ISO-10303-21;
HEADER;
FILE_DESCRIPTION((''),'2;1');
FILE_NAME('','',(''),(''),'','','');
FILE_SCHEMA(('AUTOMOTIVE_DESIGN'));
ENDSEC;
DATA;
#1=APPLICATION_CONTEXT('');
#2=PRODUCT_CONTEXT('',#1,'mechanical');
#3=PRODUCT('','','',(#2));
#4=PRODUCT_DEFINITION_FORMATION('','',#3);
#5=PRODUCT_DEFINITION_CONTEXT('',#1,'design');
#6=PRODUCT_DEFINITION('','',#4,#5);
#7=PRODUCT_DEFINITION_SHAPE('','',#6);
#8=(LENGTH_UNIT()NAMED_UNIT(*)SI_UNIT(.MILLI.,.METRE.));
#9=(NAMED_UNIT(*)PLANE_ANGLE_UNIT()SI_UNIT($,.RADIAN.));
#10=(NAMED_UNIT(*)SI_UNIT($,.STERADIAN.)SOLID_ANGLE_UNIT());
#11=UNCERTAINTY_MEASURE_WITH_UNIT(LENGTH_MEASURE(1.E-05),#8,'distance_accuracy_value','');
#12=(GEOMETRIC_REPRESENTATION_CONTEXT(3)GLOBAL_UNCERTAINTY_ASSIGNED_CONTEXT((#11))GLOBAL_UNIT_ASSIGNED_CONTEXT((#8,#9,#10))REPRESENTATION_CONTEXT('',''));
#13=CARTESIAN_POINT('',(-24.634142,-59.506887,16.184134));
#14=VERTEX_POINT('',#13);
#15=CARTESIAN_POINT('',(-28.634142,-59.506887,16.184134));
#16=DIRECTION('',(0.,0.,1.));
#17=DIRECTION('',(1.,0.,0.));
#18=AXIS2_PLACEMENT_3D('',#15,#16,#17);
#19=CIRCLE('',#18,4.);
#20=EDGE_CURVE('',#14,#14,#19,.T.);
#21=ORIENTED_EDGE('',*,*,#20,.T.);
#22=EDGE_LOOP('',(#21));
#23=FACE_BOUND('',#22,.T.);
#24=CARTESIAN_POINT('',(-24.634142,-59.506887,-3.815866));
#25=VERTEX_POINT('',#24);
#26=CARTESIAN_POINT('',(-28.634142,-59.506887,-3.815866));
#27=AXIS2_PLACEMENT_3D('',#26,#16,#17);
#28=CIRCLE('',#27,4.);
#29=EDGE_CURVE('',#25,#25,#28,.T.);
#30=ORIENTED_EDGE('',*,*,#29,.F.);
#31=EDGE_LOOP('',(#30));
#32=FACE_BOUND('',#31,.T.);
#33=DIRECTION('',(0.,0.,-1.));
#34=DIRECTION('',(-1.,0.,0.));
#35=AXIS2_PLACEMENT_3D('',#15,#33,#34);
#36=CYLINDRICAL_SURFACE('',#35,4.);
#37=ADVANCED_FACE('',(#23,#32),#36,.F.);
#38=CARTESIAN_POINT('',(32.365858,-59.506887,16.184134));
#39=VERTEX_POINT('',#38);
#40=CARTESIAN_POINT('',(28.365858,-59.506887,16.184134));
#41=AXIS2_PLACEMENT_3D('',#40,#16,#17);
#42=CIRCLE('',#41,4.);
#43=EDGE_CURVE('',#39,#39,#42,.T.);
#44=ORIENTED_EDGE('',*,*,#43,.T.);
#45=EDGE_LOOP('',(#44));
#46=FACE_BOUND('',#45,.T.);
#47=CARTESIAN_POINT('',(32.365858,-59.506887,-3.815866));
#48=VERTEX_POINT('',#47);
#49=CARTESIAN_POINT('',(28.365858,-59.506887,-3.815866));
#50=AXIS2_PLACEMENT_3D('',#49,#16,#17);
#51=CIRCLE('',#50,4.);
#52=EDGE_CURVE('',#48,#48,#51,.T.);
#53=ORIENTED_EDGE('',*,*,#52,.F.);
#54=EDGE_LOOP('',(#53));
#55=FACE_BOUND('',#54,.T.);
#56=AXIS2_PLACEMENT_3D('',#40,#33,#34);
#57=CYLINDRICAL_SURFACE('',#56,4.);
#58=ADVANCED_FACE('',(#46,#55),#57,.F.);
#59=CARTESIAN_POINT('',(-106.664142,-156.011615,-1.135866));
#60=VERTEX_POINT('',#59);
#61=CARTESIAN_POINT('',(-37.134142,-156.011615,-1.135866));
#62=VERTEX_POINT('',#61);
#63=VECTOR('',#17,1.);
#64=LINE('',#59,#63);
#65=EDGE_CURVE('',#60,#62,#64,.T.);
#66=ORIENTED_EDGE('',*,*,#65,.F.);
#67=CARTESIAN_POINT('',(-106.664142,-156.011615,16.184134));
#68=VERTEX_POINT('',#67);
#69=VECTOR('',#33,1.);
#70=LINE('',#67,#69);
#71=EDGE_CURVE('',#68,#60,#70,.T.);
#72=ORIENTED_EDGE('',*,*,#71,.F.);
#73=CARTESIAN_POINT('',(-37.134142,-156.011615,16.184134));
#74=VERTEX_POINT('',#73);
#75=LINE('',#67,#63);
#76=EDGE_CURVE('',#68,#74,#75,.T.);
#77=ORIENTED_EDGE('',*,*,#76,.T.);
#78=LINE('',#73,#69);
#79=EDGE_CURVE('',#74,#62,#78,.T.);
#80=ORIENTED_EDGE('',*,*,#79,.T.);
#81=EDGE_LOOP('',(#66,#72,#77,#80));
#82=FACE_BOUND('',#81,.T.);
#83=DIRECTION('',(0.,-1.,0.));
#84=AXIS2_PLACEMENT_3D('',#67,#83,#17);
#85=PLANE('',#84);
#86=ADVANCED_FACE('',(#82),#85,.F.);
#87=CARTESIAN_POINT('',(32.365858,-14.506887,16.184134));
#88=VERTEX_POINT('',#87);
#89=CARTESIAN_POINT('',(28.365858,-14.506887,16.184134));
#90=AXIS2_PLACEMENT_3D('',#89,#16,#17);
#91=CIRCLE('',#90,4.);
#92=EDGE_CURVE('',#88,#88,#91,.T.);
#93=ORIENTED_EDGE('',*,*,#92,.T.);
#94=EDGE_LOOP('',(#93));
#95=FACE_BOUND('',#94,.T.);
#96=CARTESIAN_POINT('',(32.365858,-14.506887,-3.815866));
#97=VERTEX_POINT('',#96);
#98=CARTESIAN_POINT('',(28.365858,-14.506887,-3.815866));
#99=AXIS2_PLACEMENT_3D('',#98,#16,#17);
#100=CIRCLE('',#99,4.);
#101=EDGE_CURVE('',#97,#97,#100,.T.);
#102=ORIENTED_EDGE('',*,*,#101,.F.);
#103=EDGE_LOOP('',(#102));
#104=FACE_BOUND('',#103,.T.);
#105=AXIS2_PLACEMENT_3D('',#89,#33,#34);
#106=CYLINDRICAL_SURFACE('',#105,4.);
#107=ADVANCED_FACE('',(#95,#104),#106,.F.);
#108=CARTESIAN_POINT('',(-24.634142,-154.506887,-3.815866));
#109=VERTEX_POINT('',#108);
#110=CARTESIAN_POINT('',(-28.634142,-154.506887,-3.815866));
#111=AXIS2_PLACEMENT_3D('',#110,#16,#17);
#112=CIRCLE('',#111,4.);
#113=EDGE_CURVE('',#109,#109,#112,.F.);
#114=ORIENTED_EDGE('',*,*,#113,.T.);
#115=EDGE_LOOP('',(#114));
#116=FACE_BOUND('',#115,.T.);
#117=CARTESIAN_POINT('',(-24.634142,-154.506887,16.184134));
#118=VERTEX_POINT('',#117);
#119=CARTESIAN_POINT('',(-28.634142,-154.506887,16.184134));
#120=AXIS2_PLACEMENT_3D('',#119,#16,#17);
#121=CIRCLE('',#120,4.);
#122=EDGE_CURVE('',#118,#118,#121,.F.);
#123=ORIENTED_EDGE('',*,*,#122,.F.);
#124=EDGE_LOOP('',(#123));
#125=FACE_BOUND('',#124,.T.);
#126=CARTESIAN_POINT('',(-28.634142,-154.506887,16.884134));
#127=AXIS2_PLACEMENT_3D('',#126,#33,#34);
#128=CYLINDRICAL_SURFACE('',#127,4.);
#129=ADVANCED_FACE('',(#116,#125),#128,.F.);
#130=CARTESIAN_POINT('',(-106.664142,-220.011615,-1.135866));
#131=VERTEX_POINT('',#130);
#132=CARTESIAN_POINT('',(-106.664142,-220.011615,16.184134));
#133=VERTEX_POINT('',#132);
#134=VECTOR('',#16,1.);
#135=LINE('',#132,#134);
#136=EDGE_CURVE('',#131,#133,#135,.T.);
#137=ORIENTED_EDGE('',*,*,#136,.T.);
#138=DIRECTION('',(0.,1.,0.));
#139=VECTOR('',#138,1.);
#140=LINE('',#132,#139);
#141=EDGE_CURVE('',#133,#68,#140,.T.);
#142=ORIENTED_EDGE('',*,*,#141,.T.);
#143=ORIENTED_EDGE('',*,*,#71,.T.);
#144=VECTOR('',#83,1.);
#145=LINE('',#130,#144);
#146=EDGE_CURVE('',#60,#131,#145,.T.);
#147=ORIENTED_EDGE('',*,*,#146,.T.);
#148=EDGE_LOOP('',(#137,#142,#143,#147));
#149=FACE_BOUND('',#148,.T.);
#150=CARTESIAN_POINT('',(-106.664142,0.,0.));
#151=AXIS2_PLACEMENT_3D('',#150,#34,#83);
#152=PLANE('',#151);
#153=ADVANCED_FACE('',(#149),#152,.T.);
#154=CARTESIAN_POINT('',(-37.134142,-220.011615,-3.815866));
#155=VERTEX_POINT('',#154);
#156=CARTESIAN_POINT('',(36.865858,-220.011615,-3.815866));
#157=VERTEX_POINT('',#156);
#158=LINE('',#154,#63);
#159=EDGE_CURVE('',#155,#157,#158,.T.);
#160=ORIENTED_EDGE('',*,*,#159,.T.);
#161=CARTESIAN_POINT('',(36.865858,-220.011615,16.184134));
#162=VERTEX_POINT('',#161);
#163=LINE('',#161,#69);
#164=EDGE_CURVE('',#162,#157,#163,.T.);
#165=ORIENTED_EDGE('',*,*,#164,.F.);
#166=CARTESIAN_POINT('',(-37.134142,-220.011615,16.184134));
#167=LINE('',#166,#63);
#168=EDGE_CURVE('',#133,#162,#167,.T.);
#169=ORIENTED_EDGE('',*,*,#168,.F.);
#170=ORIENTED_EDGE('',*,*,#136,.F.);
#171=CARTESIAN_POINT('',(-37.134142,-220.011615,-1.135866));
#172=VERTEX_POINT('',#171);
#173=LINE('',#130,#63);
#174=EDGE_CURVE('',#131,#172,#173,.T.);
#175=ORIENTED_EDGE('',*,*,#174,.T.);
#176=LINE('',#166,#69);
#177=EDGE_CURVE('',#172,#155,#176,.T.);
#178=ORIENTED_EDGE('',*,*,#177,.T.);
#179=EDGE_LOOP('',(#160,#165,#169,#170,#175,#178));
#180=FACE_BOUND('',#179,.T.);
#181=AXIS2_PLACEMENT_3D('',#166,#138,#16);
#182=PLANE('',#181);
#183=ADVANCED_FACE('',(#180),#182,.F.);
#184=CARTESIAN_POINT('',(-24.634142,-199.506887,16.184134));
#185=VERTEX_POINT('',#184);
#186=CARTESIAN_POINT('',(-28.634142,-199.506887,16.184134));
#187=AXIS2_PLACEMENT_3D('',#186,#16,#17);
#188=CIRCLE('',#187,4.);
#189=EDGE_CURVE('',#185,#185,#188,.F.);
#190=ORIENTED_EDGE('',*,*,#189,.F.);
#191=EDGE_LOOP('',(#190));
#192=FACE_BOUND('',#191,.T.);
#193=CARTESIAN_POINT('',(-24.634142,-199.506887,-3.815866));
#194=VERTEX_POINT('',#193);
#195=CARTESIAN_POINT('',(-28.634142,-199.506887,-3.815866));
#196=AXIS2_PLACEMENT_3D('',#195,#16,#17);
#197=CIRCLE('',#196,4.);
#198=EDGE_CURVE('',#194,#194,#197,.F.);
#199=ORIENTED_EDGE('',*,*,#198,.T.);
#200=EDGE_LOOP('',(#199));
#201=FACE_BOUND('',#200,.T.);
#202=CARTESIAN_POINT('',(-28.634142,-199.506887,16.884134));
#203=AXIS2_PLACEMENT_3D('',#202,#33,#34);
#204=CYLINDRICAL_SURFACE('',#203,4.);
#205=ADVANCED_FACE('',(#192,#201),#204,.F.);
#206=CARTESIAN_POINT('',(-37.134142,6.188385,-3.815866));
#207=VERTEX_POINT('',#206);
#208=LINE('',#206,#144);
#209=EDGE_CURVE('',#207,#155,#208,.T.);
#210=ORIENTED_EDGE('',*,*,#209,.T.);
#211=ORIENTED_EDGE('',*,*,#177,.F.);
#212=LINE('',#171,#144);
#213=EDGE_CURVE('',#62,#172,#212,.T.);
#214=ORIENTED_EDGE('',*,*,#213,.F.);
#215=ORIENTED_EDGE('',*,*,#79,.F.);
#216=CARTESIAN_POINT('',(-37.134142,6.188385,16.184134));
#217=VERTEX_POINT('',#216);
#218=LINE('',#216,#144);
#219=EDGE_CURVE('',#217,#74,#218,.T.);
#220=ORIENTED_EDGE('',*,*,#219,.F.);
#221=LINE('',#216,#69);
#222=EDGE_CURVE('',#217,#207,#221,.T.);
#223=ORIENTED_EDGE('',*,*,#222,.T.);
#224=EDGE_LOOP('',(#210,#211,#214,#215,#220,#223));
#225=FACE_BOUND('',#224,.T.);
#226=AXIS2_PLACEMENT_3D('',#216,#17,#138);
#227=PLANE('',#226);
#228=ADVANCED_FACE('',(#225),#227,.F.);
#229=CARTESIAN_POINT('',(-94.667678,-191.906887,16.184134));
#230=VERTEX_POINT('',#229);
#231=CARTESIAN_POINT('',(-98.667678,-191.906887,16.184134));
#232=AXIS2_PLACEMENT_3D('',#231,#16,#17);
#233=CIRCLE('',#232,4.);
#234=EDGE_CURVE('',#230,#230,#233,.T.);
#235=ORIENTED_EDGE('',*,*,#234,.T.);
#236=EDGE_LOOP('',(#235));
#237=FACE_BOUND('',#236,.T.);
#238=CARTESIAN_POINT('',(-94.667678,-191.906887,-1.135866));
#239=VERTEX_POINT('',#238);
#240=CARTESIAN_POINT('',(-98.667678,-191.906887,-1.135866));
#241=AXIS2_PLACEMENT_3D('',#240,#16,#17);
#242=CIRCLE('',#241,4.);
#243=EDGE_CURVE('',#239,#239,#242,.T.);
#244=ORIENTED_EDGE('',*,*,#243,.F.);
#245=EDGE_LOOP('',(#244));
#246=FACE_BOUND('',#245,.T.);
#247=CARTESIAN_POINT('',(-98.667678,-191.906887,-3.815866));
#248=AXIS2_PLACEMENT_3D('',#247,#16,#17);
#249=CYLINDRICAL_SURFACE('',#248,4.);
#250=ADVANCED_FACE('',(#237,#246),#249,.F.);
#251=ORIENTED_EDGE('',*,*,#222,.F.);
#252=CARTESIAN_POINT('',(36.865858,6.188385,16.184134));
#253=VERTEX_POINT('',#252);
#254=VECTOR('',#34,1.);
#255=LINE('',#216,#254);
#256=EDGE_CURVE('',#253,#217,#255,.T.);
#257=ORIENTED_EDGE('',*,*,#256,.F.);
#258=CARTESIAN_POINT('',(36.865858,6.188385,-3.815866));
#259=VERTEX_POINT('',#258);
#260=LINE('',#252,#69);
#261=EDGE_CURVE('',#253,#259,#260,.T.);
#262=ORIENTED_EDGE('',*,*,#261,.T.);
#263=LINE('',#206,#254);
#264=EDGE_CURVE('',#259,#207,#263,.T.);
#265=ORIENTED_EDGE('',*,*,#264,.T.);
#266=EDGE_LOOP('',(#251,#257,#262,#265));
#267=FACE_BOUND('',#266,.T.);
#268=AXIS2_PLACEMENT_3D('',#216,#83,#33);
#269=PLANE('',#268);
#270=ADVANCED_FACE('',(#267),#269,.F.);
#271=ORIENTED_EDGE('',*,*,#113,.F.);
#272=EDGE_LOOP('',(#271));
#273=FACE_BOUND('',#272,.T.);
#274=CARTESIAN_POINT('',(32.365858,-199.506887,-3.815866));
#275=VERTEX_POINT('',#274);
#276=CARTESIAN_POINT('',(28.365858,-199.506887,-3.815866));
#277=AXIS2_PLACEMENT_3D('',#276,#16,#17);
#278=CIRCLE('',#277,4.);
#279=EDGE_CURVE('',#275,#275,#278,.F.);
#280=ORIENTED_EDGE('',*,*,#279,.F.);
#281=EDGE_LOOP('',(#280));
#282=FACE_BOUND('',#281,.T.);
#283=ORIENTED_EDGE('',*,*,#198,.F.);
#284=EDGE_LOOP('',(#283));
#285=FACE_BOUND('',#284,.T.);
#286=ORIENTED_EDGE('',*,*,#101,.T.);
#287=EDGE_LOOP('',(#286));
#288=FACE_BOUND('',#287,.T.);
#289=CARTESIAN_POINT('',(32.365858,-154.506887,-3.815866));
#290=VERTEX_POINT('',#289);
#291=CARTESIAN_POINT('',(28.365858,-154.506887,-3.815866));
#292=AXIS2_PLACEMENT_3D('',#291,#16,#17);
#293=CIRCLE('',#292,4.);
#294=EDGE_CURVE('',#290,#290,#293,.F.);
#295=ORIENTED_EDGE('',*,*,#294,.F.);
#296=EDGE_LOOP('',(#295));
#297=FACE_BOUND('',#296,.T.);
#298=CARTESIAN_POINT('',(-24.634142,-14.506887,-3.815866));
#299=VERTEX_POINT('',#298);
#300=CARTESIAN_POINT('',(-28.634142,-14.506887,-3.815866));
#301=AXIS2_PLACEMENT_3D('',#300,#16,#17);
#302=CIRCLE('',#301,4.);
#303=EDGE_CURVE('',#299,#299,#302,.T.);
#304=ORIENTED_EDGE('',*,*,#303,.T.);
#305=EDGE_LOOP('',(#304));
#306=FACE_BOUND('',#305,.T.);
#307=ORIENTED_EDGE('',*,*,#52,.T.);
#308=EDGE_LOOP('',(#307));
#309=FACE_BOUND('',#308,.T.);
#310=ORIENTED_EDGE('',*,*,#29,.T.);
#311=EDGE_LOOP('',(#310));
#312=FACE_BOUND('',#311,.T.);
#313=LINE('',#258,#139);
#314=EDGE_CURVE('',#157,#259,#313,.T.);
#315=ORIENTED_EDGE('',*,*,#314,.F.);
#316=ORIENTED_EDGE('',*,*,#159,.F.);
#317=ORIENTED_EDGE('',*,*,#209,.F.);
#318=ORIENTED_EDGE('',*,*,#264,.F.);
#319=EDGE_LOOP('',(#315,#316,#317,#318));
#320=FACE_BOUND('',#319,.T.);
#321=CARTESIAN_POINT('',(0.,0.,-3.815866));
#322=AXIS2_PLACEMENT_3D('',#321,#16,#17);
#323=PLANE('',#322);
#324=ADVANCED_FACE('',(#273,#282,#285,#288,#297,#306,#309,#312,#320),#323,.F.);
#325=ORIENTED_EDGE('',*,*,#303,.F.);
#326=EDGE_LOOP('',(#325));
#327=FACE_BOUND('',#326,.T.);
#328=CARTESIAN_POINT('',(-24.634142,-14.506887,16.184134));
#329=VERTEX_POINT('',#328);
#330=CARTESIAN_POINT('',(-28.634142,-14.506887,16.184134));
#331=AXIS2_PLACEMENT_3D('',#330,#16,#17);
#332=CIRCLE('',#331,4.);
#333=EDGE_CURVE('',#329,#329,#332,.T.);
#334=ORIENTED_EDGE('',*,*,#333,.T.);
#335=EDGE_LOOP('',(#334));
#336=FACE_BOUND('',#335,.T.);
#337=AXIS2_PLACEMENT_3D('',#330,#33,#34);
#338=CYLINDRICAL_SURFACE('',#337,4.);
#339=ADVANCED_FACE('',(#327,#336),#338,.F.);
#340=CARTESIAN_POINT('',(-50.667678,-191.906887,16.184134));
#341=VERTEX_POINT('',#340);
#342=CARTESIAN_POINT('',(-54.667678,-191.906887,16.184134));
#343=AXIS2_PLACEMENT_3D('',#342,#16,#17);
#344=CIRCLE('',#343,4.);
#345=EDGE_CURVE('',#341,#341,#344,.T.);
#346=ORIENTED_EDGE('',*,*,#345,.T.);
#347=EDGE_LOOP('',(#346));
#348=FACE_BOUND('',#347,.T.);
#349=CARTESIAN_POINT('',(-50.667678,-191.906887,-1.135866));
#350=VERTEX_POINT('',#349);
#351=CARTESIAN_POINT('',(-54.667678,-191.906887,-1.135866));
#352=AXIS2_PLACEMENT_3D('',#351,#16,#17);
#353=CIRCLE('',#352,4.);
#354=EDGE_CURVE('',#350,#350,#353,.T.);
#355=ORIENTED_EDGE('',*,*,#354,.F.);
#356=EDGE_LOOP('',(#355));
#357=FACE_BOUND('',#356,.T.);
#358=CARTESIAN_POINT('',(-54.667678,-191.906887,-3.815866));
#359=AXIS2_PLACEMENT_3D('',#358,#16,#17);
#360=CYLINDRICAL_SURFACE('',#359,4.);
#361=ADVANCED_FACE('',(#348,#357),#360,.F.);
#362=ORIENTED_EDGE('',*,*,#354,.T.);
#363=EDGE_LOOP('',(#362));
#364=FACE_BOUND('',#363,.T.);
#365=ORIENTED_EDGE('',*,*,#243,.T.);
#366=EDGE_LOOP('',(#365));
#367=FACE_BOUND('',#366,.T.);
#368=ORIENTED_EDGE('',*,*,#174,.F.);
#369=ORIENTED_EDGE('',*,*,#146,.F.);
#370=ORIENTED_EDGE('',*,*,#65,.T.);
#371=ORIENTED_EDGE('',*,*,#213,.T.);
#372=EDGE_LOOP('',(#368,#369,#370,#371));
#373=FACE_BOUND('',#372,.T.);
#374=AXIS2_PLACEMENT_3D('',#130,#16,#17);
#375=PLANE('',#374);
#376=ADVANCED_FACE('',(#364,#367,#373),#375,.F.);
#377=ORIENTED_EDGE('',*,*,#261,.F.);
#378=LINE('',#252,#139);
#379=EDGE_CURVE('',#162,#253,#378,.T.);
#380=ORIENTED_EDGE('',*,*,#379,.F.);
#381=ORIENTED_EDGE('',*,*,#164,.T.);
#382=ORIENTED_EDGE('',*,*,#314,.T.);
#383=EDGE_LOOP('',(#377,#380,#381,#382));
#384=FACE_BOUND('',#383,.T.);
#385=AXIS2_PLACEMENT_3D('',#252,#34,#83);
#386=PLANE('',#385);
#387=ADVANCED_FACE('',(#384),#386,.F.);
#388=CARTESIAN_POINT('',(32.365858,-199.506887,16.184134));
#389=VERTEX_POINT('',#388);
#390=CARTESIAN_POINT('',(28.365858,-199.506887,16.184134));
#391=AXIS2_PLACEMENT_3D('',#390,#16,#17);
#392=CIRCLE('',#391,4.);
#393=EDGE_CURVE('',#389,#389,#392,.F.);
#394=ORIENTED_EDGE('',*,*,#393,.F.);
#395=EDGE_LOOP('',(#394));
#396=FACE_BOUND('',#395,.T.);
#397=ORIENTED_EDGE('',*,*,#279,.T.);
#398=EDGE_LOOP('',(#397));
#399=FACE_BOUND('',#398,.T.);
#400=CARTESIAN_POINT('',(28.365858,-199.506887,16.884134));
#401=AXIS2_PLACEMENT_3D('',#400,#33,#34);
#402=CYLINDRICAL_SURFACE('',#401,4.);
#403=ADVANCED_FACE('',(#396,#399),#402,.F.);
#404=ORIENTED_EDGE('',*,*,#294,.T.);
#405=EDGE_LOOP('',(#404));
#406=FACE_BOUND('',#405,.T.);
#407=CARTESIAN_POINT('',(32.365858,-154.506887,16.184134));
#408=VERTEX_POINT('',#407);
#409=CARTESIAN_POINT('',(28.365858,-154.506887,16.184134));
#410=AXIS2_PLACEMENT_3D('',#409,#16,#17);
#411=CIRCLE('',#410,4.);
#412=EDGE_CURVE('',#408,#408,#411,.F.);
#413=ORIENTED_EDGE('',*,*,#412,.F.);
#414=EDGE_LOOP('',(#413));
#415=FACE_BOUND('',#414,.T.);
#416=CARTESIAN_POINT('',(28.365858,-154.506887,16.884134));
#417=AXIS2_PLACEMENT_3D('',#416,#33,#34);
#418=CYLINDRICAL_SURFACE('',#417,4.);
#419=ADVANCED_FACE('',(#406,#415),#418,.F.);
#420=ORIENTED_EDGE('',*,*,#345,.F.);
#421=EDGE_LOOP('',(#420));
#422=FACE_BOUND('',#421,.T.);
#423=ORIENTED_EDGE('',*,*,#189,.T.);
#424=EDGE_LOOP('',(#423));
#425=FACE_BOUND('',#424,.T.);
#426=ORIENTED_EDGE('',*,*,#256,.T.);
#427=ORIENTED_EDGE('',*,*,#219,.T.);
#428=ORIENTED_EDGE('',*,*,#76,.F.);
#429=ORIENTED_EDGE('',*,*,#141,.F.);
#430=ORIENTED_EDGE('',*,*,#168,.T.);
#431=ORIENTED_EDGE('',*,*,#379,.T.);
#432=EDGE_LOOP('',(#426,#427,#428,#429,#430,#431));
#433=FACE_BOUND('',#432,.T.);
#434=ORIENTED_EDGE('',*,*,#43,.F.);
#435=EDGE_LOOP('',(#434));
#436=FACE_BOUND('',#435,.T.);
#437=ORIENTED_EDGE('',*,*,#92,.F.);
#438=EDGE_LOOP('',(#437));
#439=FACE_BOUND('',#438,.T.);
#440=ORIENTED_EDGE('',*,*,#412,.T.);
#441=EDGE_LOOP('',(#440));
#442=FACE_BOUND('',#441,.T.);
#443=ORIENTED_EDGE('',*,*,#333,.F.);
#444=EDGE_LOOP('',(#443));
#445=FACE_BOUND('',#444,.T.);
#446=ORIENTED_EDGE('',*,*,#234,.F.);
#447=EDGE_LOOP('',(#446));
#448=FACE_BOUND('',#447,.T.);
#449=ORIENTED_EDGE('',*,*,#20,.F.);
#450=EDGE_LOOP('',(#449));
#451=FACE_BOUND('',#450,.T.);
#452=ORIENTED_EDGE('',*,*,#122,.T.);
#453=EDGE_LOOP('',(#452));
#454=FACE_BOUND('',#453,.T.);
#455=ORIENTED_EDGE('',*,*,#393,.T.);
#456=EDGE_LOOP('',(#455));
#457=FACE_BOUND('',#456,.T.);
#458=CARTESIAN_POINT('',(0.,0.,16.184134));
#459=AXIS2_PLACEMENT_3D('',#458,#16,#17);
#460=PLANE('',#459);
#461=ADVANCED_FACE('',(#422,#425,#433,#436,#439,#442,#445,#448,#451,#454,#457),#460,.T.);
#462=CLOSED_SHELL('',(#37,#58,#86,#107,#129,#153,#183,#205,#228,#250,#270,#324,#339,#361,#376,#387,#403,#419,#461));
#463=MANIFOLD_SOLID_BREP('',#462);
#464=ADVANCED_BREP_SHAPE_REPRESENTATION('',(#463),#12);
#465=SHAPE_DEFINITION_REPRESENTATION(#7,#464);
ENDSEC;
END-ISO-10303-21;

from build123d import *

# Parameters (mm, degrees)
SZKIC2_W                    = 74
SZKIC2_H                    = 226.2
DODANIE_WYCI_GNI_CIE1_DEPTH = 20
SZKIC3_W                    = 17.32
SZKIC3_H                    = 64
DODANIE_WYCI_GNI_CIE2_DEPTH = 69.53
SZKIC4_R                    = 3.999999999
WYTNIJ_WYCI_GNI_CIE1_DEPTH  = 20
SZKIC6_R                    = 4
WYTNIJ_WYCI_GNI_CIE3_DEPTH  = 21
SZKIC7_R                    = 4
WYTNIJ_WYCI_GNI_CIE4_DEPTH  = 20


with BuildPart() as part:
    # Szkic2 → Dodanie-wyciągnięcie1 (new body)
    with BuildSketch(Plane.XY.offset(-3.815865502)):
        with Locations((-0.134142184, -106.911615453)):
            Rectangle(SZKIC2_W, SZKIC2_H)
    extrude(amount=DODANIE_WYCI_GNI_CIE1_DEPTH)

    # Szkic3 → Dodanie-wyciągnięcie2 (add)
    with BuildSketch(Plane.ZY.offset(37.134142184)):
        with Locations((7.524134498, -188.011615453)):
            Rectangle(SZKIC3_W, SZKIC3_H)
    extrude(amount=DODANIE_WYCI_GNI_CIE2_DEPTH)

    # Szkic4 → Wytnij-wyciągnięcie1 (cut)
    with BuildSketch(Plane.XY.offset(16.184134498)):
        with Locations((-54.667677729, -191.906887131)):
            Circle(SZKIC4_R)
        with Locations((-98.667677729, -191.906887131)):
            Circle(SZKIC4_R)
    extrude(amount=-WYTNIJ_WYCI_GNI_CIE1_DEPTH, mode=Mode.SUBTRACT)

    # Szkic6 → Wytnij-wyciągnięcie3 (cut)
    with BuildSketch(Plane.XY.offset(-4.115865502)):
        with Locations((28.365857818, -199.506887131)):
            Circle(SZKIC6_R)
        with Locations((-28.634142182, -199.506887131)):
            Circle(SZKIC6_R)
        with Locations((-28.634142182, -154.506887131)):
            Circle(SZKIC6_R)
        with Locations((28.365857818, -154.506887131)):
            Circle(SZKIC6_R)
    extrude(amount=WYTNIJ_WYCI_GNI_CIE3_DEPTH, mode=Mode.SUBTRACT)

    # Szkic7 → Wytnij-wyciągnięcie4 (cut)
    with BuildSketch(Plane.XY.offset(-3.815865502)):
        with Locations((28.365857816, -14.506887131)):
            Circle(SZKIC7_R)
        with Locations((-28.634142184, -14.506887131)):
            Circle(SZKIC7_R)
        with Locations((-28.634142184, -59.506887131)):
            Circle(SZKIC7_R)
        with Locations((28.365857816, -59.506887131)):
            Circle(SZKIC7_R)
    extrude(amount=WYTNIJ_WYCI_GNI_CIE4_DEPTH, mode=Mode.SUBTRACT)


solid = part.part
